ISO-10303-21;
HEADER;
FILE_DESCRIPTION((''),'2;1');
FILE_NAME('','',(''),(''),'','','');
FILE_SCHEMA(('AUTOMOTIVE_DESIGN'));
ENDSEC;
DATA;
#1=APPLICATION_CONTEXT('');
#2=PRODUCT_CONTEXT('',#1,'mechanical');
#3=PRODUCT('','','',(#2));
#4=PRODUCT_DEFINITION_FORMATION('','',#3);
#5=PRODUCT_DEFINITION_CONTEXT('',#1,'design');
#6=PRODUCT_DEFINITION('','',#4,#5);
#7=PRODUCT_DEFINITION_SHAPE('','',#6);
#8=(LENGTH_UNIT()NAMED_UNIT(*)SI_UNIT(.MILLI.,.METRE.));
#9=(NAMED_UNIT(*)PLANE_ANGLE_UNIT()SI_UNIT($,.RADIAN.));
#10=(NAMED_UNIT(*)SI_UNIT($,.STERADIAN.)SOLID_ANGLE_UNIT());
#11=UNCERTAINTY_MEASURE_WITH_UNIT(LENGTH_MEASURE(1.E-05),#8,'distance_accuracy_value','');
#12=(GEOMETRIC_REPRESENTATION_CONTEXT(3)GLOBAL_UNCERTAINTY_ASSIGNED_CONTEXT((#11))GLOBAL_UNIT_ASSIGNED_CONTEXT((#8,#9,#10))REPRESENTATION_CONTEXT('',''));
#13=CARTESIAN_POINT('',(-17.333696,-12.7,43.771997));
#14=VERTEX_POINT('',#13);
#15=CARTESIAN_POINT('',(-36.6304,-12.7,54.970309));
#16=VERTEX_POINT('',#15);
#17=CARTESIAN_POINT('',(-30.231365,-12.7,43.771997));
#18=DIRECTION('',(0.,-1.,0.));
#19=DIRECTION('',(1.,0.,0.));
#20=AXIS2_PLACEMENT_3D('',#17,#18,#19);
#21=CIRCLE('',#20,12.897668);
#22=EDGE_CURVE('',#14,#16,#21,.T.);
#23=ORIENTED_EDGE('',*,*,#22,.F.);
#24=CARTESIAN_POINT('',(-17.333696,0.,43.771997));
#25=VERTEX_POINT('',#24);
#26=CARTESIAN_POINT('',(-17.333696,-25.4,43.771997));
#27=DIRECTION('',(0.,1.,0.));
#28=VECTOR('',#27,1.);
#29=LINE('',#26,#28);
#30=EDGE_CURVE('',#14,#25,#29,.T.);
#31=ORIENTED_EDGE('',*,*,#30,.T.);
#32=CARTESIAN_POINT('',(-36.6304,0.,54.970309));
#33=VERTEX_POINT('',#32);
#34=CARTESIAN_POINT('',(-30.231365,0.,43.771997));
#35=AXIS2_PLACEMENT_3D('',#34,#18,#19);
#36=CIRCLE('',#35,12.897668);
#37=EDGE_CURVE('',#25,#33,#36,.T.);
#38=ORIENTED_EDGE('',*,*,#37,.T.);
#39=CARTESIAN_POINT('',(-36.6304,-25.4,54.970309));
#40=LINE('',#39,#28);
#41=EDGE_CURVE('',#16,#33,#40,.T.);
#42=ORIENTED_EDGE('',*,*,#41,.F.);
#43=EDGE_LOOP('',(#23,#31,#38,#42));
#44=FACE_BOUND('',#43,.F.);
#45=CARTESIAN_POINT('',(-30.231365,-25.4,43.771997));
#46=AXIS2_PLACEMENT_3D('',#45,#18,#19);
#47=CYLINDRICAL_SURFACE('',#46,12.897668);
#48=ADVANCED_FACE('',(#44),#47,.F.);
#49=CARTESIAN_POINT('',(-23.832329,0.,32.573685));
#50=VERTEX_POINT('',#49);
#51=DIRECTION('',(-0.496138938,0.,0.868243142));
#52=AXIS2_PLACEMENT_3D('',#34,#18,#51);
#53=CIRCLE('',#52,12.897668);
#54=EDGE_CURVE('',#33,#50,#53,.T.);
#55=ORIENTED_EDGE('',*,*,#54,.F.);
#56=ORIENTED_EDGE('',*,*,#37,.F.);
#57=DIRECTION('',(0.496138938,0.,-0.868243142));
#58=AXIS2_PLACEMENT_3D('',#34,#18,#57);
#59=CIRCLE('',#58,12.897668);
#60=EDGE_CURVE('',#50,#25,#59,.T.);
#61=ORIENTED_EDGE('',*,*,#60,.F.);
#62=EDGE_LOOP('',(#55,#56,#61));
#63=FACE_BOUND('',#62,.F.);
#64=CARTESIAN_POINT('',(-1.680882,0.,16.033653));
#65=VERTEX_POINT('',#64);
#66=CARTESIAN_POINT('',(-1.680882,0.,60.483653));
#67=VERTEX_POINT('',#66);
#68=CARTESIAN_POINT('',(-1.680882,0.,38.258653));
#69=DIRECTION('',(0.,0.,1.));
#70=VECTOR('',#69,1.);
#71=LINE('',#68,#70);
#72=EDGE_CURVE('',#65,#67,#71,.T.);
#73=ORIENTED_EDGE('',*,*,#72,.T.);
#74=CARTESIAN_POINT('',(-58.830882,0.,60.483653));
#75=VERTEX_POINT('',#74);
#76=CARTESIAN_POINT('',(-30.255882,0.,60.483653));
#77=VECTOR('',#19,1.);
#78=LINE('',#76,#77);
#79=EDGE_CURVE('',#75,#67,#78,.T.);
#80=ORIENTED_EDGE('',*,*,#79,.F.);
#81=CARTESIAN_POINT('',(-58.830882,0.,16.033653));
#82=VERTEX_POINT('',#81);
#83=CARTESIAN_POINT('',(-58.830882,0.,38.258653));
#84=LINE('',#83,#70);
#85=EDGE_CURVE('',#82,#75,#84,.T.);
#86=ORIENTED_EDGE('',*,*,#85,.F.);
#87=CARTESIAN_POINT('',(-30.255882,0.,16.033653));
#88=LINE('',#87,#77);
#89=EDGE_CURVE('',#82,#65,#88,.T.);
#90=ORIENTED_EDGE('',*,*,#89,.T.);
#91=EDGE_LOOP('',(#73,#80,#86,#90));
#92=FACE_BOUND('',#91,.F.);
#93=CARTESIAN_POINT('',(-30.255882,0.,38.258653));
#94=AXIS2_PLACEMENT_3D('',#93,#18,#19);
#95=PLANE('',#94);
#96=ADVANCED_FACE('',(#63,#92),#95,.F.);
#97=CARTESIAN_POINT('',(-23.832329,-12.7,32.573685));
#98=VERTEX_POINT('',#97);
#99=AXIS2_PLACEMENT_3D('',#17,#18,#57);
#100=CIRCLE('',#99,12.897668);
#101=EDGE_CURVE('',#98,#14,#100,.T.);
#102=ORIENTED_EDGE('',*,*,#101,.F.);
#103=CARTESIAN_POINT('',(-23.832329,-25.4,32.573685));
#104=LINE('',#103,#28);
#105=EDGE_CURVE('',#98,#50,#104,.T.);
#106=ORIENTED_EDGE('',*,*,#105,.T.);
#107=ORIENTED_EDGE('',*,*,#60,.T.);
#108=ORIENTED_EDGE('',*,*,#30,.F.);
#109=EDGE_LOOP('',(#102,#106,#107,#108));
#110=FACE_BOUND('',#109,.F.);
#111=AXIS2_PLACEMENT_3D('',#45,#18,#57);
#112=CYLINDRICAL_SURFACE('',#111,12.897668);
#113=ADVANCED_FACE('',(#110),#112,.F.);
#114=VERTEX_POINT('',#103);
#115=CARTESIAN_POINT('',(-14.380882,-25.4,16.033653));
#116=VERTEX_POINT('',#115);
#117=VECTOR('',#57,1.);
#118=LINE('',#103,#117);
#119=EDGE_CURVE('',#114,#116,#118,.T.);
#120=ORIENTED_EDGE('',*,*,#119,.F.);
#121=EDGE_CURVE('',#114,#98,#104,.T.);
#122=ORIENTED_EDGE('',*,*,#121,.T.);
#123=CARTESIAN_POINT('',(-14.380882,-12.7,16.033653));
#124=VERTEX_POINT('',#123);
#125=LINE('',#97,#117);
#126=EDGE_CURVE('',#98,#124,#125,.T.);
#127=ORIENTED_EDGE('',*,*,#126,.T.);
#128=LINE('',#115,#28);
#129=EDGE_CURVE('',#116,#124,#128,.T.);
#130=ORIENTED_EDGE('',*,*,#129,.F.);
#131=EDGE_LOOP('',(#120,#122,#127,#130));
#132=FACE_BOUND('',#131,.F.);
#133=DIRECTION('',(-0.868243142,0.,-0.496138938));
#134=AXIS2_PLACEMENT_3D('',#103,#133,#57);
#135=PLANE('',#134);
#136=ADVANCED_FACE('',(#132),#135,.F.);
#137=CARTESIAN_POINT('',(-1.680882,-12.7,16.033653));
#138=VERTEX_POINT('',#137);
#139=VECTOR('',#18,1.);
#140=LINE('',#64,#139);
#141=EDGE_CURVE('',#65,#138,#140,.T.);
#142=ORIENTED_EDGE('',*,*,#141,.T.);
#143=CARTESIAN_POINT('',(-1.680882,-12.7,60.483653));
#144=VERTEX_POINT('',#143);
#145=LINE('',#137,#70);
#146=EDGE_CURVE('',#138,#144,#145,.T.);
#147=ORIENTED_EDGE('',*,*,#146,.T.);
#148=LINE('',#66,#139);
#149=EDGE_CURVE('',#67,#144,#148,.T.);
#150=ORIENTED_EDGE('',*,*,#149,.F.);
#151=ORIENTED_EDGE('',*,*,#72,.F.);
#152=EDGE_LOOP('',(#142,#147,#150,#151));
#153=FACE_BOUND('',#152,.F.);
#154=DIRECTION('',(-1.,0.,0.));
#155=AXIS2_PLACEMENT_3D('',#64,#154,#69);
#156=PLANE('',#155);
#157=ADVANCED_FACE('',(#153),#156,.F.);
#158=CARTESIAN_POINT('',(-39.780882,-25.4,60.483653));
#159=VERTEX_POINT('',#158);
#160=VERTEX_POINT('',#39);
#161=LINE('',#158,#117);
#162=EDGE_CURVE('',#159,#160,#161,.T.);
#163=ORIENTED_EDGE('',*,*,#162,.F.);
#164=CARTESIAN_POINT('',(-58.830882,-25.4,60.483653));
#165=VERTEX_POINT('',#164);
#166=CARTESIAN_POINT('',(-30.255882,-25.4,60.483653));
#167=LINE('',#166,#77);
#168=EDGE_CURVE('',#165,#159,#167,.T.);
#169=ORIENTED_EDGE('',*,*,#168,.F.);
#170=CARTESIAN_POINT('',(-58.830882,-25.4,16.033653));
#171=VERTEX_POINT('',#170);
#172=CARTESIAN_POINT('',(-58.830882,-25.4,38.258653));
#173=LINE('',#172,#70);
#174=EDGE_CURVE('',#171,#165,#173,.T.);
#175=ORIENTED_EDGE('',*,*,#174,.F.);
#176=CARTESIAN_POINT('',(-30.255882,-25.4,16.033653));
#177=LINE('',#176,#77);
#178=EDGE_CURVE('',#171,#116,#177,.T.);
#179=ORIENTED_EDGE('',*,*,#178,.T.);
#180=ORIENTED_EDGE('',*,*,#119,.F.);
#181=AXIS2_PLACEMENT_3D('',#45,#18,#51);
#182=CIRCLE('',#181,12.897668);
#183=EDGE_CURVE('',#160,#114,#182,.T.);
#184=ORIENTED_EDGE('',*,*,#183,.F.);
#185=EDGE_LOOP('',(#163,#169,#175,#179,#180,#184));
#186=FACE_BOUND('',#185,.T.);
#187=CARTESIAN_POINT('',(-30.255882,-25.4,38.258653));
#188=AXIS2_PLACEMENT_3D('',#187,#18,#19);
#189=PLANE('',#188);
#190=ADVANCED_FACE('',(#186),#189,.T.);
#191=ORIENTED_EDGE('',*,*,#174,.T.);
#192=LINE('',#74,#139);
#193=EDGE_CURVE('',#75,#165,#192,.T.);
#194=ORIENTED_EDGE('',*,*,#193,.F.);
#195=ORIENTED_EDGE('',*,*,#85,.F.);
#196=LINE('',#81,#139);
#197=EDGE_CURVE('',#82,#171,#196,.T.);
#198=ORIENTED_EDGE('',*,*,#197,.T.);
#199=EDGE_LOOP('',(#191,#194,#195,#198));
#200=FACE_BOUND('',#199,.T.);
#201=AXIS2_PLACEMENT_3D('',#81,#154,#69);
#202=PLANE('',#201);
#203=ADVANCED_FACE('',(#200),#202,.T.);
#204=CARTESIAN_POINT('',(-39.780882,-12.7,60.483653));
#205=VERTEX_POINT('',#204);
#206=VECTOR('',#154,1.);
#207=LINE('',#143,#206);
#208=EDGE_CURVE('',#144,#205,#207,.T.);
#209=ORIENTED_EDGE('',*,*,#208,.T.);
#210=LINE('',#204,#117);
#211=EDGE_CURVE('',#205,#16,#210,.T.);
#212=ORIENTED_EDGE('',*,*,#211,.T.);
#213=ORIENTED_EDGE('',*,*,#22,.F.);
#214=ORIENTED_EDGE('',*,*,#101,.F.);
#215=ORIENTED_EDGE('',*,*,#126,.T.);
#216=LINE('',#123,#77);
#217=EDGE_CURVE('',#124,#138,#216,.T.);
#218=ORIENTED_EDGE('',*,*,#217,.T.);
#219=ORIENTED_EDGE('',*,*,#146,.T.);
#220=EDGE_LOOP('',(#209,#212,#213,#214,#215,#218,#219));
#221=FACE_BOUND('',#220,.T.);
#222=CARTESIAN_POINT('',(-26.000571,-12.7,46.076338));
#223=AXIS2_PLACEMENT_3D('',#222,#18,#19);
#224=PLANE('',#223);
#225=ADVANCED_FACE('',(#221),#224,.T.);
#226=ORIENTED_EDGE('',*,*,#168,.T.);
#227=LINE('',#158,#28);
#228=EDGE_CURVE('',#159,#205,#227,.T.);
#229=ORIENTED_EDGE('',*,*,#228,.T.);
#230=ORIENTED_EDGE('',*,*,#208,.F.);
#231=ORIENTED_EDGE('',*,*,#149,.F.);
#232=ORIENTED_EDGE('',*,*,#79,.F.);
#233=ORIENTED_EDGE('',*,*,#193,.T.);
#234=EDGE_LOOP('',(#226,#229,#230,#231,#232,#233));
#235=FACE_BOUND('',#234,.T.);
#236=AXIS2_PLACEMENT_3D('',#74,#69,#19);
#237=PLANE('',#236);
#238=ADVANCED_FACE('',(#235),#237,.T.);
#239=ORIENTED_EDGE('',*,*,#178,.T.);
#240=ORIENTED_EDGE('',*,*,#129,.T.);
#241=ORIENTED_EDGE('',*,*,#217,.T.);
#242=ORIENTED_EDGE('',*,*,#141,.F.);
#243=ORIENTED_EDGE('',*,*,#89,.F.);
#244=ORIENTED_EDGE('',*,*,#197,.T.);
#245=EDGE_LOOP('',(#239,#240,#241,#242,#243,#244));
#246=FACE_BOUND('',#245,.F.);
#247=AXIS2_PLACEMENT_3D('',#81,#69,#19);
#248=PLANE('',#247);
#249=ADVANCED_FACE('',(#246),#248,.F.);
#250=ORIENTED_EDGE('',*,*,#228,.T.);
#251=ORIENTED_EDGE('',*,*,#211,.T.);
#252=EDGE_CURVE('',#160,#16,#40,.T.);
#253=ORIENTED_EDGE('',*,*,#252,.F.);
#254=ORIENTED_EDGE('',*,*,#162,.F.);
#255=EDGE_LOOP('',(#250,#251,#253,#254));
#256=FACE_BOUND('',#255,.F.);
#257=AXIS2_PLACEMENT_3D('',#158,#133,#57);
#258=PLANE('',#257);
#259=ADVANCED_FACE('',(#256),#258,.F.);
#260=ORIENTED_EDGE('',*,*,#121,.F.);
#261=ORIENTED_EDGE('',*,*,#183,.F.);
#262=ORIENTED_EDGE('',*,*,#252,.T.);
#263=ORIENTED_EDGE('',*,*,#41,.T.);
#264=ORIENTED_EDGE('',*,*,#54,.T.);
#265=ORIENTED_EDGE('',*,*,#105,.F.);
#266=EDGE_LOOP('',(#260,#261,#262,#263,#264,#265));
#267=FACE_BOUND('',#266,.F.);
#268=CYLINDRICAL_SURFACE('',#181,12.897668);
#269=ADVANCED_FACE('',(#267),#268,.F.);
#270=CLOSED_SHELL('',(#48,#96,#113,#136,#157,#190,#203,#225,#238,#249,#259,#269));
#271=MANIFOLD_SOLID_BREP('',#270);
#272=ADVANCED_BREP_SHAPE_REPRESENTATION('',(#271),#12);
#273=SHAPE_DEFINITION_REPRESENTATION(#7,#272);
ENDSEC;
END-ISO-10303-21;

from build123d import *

# Parameters (mm, degrees)
F0_W     = 57.15
F0_H     = 44.45
F1_DEPTH = 25.4
F3_DEPTH = 12.7
F4_DEPTH = 25.4


with BuildPart() as f1:
    # F0 (on Front) → F1 (new body)
    with BuildSketch(Plane.XZ):
        with Locations((-30.2558824187, 38.2586528428)):
            Rectangle(F0_W, F0_H)
    extrude(amount=F1_DEPTH)

    # F2 (on face) → F3 (cut)
    with BuildSketch(Plane.XZ.offset(25.4)):
        with BuildLine():
            ThreePointArc((-17.3336963264, 43.7719967953), (-23.7576790398, 54.9273203296), (-36.6304001601, 54.9703088903))
            Line((-36.6304001601, 54.9703088903), (-23.8323291944, 32.5736847003))
            ThreePointArc((-23.8323291944, 32.5736847003), (-19.0760411429, 37.2983111579), (-17.3336963264, 43.7719967953))
        make_face()
        with BuildLine():
            Line((-23.8323291944, 32.5736847003), (-36.6304001601, 54.9703088903))
            ThreePointArc((-36.6304001601, 54.9703088903), (-41.4296767723, 37.3729613124), (-23.8323291944, 32.5736847003))
        make_face()
        with BuildLine():
            Line((-1.6808824187, 60.4836528428), (-39.7808824187, 60.4836528428))
            Line((-39.7808824187, 60.4836528428), (-36.6304001601, 54.9703088903))
            ThreePointArc((-36.6304001601, 54.9703088903), (-23.7576790398, 54.9273203296), (-17.3336963264, 43.7719967953))
            ThreePointArc((-17.3336963264, 43.7719967953), (-19.0760411429, 37.2983111579), (-23.8323291944, 32.5736847003))
            Line((-23.8323291944, 32.5736847003), (-14.3808824187, 16.0336528428))
            Line((-14.3808824187, 16.0336528428), (-1.6808824187, 16.0336528428))
            Line((-1.6808824187, 16.0336528428), (-1.6808824187, 60.4836528428))
        make_face()
    extrude(amount=-F3_DEPTH, mode=Mode.SUBTRACT)

    # F2 (on face) → F4 (cut)
    with BuildSketch(Plane.XZ.offset(25.4)):
        with BuildLine():
            ThreePointArc((-17.3336963264, 43.7719967953), (-23.7576790398, 54.9273203296), (-36.6304001601, 54.9703088903))
            Line((-36.6304001601, 54.9703088903), (-23.8323291944, 32.5736847003))
            ThreePointArc((-23.8323291944, 32.5736847003), (-19.0760411429, 37.2983111579), (-17.3336963264, 43.7719967953))
        make_face()
        with BuildLine():
            Line((-23.8323291944, 32.5736847003), (-36.6304001601, 54.9703088903))
            ThreePointArc((-36.6304001601, 54.9703088903), (-41.4296767723, 37.3729613124), (-23.8323291944, 32.5736847003))
        make_face()
    extrude(amount=-F4_DEPTH, mode=Mode.SUBTRACT)


solid = f1.part
